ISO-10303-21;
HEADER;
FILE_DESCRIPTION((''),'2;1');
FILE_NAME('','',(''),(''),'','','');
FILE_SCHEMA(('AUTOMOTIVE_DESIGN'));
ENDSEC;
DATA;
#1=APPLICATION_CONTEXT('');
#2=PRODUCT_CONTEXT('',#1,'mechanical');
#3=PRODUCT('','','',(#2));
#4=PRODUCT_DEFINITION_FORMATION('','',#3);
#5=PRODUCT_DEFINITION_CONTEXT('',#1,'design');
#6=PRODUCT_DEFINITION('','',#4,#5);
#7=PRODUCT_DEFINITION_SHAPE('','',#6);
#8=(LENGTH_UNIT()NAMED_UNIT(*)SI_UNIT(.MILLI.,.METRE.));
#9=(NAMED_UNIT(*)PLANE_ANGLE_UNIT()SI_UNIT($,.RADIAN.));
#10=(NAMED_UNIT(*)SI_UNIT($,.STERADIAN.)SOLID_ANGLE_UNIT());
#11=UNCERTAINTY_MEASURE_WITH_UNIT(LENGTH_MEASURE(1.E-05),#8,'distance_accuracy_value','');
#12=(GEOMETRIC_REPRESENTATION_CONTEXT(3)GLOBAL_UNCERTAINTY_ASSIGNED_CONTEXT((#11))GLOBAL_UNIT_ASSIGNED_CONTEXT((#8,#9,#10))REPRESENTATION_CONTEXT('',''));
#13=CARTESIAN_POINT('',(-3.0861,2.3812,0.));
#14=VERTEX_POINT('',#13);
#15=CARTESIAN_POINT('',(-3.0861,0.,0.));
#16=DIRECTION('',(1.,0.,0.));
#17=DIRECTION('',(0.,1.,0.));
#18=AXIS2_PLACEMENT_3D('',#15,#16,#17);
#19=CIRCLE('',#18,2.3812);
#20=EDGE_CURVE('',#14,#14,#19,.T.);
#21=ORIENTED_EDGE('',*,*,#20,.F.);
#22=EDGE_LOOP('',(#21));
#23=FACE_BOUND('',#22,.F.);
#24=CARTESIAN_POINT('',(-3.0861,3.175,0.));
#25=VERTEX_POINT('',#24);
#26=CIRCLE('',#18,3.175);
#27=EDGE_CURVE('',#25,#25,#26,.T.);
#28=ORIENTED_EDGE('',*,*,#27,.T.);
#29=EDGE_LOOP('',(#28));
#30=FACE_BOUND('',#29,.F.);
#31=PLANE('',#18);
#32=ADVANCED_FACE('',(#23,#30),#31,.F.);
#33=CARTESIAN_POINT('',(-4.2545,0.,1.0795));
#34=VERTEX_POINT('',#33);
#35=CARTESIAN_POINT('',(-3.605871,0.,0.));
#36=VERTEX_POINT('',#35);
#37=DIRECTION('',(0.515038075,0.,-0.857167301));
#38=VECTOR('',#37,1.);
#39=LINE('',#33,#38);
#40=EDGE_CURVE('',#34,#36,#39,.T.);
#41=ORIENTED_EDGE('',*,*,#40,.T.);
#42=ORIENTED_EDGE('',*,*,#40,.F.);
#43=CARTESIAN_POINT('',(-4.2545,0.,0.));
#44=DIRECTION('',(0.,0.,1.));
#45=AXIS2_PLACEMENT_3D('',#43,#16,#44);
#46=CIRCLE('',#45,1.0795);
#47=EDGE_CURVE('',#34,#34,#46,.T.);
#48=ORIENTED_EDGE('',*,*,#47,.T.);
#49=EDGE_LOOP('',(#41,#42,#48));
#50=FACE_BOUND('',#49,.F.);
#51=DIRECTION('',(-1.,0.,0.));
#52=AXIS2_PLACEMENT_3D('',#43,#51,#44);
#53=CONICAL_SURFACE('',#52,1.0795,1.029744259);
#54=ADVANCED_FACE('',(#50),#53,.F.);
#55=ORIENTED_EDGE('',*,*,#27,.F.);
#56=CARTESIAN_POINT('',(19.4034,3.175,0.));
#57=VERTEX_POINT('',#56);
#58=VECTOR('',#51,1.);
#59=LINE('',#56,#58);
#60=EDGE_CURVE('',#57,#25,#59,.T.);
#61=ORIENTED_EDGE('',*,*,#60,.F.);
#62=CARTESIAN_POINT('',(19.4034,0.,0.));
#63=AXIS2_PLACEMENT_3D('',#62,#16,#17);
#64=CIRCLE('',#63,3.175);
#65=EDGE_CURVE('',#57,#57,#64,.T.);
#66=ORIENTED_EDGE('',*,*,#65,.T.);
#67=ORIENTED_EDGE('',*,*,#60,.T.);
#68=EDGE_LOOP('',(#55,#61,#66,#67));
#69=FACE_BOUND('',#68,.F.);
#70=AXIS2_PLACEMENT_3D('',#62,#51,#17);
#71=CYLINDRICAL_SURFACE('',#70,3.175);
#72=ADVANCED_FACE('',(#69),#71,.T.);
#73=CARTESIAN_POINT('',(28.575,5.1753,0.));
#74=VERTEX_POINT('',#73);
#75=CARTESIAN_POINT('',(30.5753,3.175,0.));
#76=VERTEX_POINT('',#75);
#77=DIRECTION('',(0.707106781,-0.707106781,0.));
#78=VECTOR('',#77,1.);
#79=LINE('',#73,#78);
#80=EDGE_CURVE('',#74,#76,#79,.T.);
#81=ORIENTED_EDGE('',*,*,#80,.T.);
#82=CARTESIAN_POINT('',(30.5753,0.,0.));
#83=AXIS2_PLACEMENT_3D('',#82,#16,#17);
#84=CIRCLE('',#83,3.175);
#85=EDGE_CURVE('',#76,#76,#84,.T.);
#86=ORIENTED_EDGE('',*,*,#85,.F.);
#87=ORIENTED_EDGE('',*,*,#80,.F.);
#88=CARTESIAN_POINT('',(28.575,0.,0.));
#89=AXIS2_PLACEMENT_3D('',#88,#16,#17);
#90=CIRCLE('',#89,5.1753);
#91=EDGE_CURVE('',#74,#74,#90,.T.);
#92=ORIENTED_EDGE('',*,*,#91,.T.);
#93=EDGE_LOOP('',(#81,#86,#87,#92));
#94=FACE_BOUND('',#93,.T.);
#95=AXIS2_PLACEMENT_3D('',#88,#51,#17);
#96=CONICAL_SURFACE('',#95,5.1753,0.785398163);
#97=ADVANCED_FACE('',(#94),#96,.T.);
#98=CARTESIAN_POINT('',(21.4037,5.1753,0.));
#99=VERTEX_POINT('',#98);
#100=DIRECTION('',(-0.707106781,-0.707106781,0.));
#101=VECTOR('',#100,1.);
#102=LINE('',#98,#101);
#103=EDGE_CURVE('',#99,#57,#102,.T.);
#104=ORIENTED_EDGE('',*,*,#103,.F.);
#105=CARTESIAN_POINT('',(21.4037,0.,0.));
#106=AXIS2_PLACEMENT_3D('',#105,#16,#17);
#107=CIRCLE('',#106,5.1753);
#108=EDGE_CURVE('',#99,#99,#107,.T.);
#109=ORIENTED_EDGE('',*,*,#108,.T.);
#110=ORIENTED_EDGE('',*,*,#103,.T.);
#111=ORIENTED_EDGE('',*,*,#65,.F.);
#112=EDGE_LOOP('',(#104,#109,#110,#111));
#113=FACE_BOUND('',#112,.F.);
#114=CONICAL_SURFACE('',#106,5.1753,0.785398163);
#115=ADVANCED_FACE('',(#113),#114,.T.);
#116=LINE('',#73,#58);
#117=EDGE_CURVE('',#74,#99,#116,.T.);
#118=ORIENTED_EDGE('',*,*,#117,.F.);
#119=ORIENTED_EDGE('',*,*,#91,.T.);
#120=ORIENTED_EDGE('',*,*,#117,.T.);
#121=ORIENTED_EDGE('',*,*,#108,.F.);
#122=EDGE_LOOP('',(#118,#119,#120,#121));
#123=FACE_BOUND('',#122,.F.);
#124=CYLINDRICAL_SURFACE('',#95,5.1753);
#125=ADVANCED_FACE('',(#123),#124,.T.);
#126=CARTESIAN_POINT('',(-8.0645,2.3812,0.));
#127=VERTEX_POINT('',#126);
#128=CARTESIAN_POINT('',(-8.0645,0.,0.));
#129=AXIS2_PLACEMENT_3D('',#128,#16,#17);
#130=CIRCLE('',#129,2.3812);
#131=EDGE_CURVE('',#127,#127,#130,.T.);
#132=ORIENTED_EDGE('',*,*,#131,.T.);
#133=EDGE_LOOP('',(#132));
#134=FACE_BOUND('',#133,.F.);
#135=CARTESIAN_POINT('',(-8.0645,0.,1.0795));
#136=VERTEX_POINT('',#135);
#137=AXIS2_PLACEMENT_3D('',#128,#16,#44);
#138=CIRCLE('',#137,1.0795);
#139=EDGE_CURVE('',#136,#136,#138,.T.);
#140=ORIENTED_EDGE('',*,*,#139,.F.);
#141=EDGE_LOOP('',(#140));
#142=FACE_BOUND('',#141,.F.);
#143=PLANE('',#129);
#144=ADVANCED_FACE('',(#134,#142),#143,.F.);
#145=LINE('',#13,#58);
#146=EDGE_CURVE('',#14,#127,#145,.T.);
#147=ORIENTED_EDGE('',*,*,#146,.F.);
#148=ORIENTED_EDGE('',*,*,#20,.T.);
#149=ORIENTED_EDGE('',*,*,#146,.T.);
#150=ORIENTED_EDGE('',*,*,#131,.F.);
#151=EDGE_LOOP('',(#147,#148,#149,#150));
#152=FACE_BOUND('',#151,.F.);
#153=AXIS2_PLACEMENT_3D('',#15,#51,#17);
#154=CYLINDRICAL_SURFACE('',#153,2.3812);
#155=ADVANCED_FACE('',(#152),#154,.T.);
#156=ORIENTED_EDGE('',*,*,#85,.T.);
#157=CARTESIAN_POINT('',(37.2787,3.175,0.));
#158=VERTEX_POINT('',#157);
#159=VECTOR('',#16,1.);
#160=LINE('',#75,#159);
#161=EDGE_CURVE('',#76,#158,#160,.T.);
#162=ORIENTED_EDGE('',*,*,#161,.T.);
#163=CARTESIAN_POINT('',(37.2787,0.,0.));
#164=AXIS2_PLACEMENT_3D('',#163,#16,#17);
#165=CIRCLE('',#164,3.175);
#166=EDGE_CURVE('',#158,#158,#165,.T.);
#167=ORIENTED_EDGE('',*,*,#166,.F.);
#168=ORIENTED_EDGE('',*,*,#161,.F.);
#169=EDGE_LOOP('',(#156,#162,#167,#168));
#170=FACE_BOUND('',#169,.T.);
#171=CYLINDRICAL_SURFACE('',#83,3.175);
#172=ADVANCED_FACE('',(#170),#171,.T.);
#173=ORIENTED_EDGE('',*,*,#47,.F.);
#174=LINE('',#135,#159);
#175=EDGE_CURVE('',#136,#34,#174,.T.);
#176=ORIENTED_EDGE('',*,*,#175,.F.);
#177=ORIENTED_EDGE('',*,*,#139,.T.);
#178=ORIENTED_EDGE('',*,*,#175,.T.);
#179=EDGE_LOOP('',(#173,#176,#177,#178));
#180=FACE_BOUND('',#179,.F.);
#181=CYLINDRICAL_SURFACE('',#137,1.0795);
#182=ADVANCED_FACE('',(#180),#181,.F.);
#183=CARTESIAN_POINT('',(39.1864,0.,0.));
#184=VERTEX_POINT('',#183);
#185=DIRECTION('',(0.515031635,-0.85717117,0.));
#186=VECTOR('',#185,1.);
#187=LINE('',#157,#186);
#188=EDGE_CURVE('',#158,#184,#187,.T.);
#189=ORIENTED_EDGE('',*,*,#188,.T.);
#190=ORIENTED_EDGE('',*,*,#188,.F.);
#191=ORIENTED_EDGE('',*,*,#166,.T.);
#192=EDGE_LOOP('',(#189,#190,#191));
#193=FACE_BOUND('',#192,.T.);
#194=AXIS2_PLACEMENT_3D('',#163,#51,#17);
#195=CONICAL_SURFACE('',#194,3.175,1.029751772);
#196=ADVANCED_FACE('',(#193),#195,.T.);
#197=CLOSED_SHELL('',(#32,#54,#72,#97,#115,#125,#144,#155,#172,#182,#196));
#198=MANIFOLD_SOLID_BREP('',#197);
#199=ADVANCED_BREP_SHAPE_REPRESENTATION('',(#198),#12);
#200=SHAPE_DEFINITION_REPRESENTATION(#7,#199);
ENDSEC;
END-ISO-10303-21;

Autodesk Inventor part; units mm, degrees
ref_plane "YZ Plane" through (0, 0, 0) normal (1, 0, 0) x (0, 1, 0)
ref_plane "XZ Plane" through (0, 0, 0) normal (0, 1, 0) x (-1, 0, 0)
ref_plane "XY Plane" through (0, 0, 0) normal (0, 0, 1) x (1, 0, 0)
sketch "Sketch1" plane through (0, 0, 0) normal (0, 0, 1) x (1, 0, 0)
  line L0 (0, 0) -> (8.7313, 0) construction
  line L1 (0, 0) -> (0, 7.9375) construction
  line L2 (0, 7.9375) -> (8.7312, 7.9375) construction
  line L3 (8.7312, 7.9375) -> (8.7313, 0) construction
  line L4 (8.7312, 7.9375) -> (47.625, 7.9375) construction
  line L5 (8.7312, 7.9375) -> (8.7312, 14.2875) construction
  line L6 (8.7312, 14.2875) -> (11.9062, 14.2875) construction
  line L7 (11.9062, 14.2875) -> (11.9062, 0) construction
  line L8 (11.9062, 0) -> (8.7313, 0) construction
  line L9 (11.9062, 0) -> (21.4312, 0) construction
  line L10 (21.4312, 0) -> (21.4312, 26.67) construction
  line L11 (21.4312, 26.67) -> (11.9063, 26.67) construction
  line L12 (11.9063, 26.67) -> (11.9062, 14.2875) construction
  line L13 (16.6687, 0) -> (16.6687, 26.67) construction
  line L14 (16.6687, 17.4625) -> (23.8125, 17.4625) construction
  line L15 (23.8125, 17.4625) -> (23.8125, 0) construction
  line L16 (23.8125, 0) -> (21.4312, 0) construction
  line L17 (23.8125, 0) -> (24.6062, 0) construction
  line L18 (24.6062, 0) -> (24.6062, 14.2875) construction
  line L19 (24.6062, 14.2875) -> (23.8125, 14.2875) construction
  line L20 (23.8125, 14.2875) -> (23.8125, 0) construction
  line L21 (24.6062, 0) -> (34.1312, 0) construction
  line L22 (34.1312, 0) -> (34.1313, 20.32) construction
  line L23 (34.1313, 20.32) -> (24.6062, 20.32) construction
  line L24 (24.6062, 20.32) -> (24.6062, 0) construction
  line L25 (29.3687, 20.32) -> (29.3687, 0) construction
  line L26 (29.3687, 17.4625) -> (36.5125, 17.4625) construction
  line L27 (36.5125, 17.4625) -> (36.5125, 0) construction
  line L28 (36.5125, 0) -> (34.1312, 0) construction
  line L29 (36.5125, 0) -> (37.3062, 0) construction
  line L30 (37.3062, 0) -> (37.3062, 14.2875) construction
  line L31 (37.3062, 14.2875) -> (36.5125, 14.2875) construction
  line L32 (36.5125, 14.2875) -> (36.5125, 0) construction
  line L33 (37.3062, 0) -> (38.8937, 0) construction
  line L34 (38.8937, 0) -> (38.8937, 9.525) construction
  line L35 (38.8937, 9.525) -> (37.3062, 9.525) construction
  line L36 (37.3062, 9.525) -> (37.3062, 0) construction
  line L37 (47.625, 7.9375) -> (47.625, 0) construction
  line L38 (47.625, 0) -> (38.8937, 0) construction
  line L39 (14.2875, 26.67) -> (14.2875, 0) construction
  line L40 (26.9875, 20.32) -> (26.9875, 0) construction
  line L41 (0, 7.9375) -> (0, 17.4625) construction
  line L42 (0, 17.4625) -> (8.7312, 17.4625) construction
  line L43 (8.7312, 17.4625) -> (8.7312, 14.2875) construction
  line L44 (0, 3.175) -> (47.625, 3.175) construction
  circle A0 centre (14.2875, 5.5563) radius 2.3813 construction
  circle A1 centre (26.9875, 5.5562) radius 2.3812 construction
  circle A2 centre (14.2875, 5.8102) radius 2.3813 construction
  circle A3 centre (14.2875, 7.5565) radius 2.3813 construction
  circle A4 centre (26.9875, 5.8103) radius 2.3812 construction
  circle A5 centre (26.9875, 7.5565) radius 2.3812 construction
  line L45 (11.9062, 8.1915) -> (16.6687, 8.1915) construction
  line L46 (15.0198, 3.175) -> (17.0201, 5.1753) construction
  line L47 (17.0201, 5.1753) -> (24.2549, 5.1753) construction
  line L48 (24.2549, 5.1753) -> (26.2552, 3.175) construction
  line L49 (24.6062, 8.1915) -> (29.3687, 8.1915) construction
  line L50 (12.7, 5.1753) -> (19.8713, 5.1753) construction
  line L51 (28.575, 5.1753) -> (21.4037, 5.1753)
  line L52 (0, 6.35) -> (9.1122, 6.35) construction
  line L53 (9.1122, 6.35) -> (9.1122, 0) construction
  line L54 (12.7, 5.1753) -> (10.6997, 3.175) construction
  line L55 (19.8713, 5.1753) -> (21.8716, 3.175) construction
  line L56 (21.8716, 3.175) -> (28.575, 3.175) construction
  line L57 (28.575, 3.175) -> (30.4827, 0) construction
  line L58 (28.575, 5.1753) -> (30.5753, 3.175)
  line L59 (30.5753, 3.175) -> (37.2787, 3.175)
  line L60 (37.2787, 3.175) -> (39.1864, 0)
  line L61 (9.1122, 5.5562) -> (47.625, 5.5563) construction
  line L62 (39.5833, 0) -> (36.2448, 5.5563) construction
  line L63 (21.4037, 5.1753) -> (19.4034, 3.175)
  line L64 (19.4034, 3.175) -> (-3.0861, 3.175)
  line L65 (47.625, 7.9375) -> (47.625, 17.4625) construction
  line L66 (47.625, 17.4625) -> (38.8937, 17.4625) construction
  line L67 (38.8937, 17.4625) -> (38.8937, 9.525) construction
  line L68 (47.625, 7.9375) -> (53.975, 7.9375) construction
  line L69 (53.975, 7.9375) -> (53.975, 0) construction
  line L70 (53.975, 0) -> (47.625, 0) construction
  line L71 (53.975, 6.35) -> (66.675, 6.35) construction
  line L72 (66.675, 6.35) -> (66.675, 0) construction
  line L73 (66.675, 0) -> (53.975, 0) construction
  line L74 (-8.0645, 3.175) -> (-8.0645, 2.3812) construction
  line L75 (-8.0645, 0) -> (39.1864, 0)
  line L76 (-3.0861, 3.175) -> (-3.0861, 2.3812)
  line L77 (-3.0861, 2.3812) -> (-8.0645, 2.3812)
  line L78 (-8.0645, 3.175) -> (-8.0645, 6.35) construction
  line L79 (-8.0645, 6.35) -> (-3.0861, 6.35) construction
  line L80 (-3.0861, 6.35) -> (-3.0861, 3.175) construction
  line L81 (-3.0861, 0) -> (-3.0861, 2.3812) construction
  line L82 (-1.5875, 0) -> (-1.5875, 11.1125) construction
  line L83 (-1.5875, 11.1125) -> (-3.0861, 11.1125) construction
  line L84 (-3.0861, 11.1125) -> (-3.0861, 6.35) construction
  line L85 (-3.0861, 3.175) -> (-8.0645, 3.175) construction
  line L86 (-8.0645, 2.3812) -> (-8.0645, 0) construction
  line L87 (-8.0645, 2.7051) -> (-9.5631, 2.7051) construction
  line L88 (-9.5631, 2.7051) -> (-9.5631, 0) construction
  line L89 (-9.5631, 0) -> (-8.0645, 0) construction
  line L90 (-8.0645, 1.4224) -> (-5.5245, 1.4224) construction
  line L91 (-5.5245, 1.4224) -> (-5.5245, 0) construction
  line L92 (-5.5245, 1.4224) -> (-2.9845, 1.4224) construction
  line L93 (-2.9845, 1.4224) -> (-2.9845, 0) construction
  line L94 (-3.0861, 11.1125) -> (-14.2875, 11.1125) construction
  line L95 (-14.2875, 11.1125) -> (-14.2875, 5.9531) construction
  line L96 (-14.2875, 5.9531) -> (-18.4912, 5.9531) construction
  line L97 (-18.4912, 5.9531) -> (-18.4912, 0) construction
  line L98 (-18.4912, 0) -> (-9.5631, 0) construction
  line L99 (-8.0645, 3.9687) -> (-14.5224, 3.9687) construction
  line L100 (-14.5224, 3.9687) -> (-14.5224, 0) construction
  line L101 (-14.5224, 3.429) -> (-10.3568, 3.429) construction
  line L102 (-10.3568, 3.429) -> (-10.3568, 0) construction
  line L103 (-16.9037, 3.175) -> (-16.9037, 0) construction
  line L104 (-16.9037, 3.175) -> (-18.4912, 3.175) construction
  dimension "d0" = 8.7312
  dimension "d1" = 7.9375
  dimension "d2" = 3.175
  dimension "d3" = 14.2875
  dimension "d4" = 9.525
  dimension "d5" = 26.67
  dimension "d6" = 7.1437
  dimension "d7" = 17.4625
  dimension "d8" = 0.7937
  dimension "d9" = 14.2875
  dimension "d10" = 9.525
  dimension "d11" = 20.32
  dimension "d12" = 7.1437
  dimension "d13" = 17.4625
  dimension "d14" = 0.7937
  dimension "d15" = 14.2875
  dimension "d16" = 1.5875
  dimension "d17" = 9.525
  dimension "d18" = 8.7312
  dimension "d19" = 2.3813
  dimension "d20" = 2.3813
  dimension "d21" = 17.4625
  dimension "d22" = 3.175
  dimension "d23" = 4.7625
  dimension "d24" = 4.7625
  dimension "d26" = 0.254
  dimension "d28" = 45
  dimension "d29" = 45
  dimension "d30" = 0.254
  dimension "d31" = 7.2348
  dimension "d32" = 5.1753
  dimension "d33" = 7.1713
  dimension "d34" = 1.5875
  dimension "d35" = 7.1713
  dimension "d36" = 1.5875
  dimension "d37" = 6.35
  dimension "d39" = 45
  dimension "d40" = 45
  dimension "d41" = 1.5875
  dimension "d42" = 59
  dimension "d43" = 6.7034
  dimension "d44" = 6.7034
  dimension "d45" = 5.5563
  dimension "d46" = 0.3969
  dimension "d47" = 1.5875
  dimension "d48" = 9.1122
  dimension "d52" = 17.4625
  dimension "d53" = 6.35
  dimension "d54" = 12.7
  dimension "d55" = 6.35
  dimension "d56" = 2.3813
  dimension "d57" = 4.9784
  dimension "d58" = 6.35
  dimension "d66" = 1.4986
  dimension "d67" = 1.5875
  dimension "d68" = 11.1125
  dimension "d69" = 2.7051
  dimension "d70" = 1.4986
  dimension "d71" = 1.4224
  dimension "d72" = 2.54
  dimension "d73" = 2.54
  dimension "d74" = 3.9688
  dimension "d75" = 4.1656
  dimension "d76" = 3.429
sketch "Sketch2" plane through (0, 0, 0) normal (0, 0, 1) x (1, 0, 0)
  line L0 (19.4034, 3.175) -> (-3.0861, 3.175) projected
  line L1 (-3.0861, 3.175) -> (-3.0861, 2.3812) projected
  line L2 (-3.0861, 2.3812) -> (-8.0645, 2.3812) projected
  line L3 (-8.0645, 2.3812) -> (-8.0645, 0) projected
  line L4 (-8.0645, 0) -> (39.1864, 0) projected
  line L5 (37.2787, 3.175) -> (39.1864, 0) projected
  line L6 (30.5753, 3.175) -> (37.2787, 3.175) projected
  line L7 (28.575, 5.1753) -> (30.5753, 3.175) projected
  line L8 (28.575, 5.1753) -> (21.4037, 5.1753) projected
  line L9 (21.4037, 5.1753) -> (19.4034, 3.175) projected
  point P0 (0, 0)
revolve "Revolution1" add sketch "Sketch2" angle 360 about axis through (-8.0645, 0, 0) along (1, 0, 0)
sketch "Sketch3" plane through (-8.0645, 0, 0) normal (-1, 0, 0) x (0, 0, 1)
  circle A0 centre (0, 0) radius 2.3813 projected
hole "Hole1" at (-8.0645, 0, 0) direction (1, 0, 0) diameter 2.159 depth 3.81 tip angle 118
equation "\"d9\" = d3"
equation "\"d12\" = d6"
equation "\"d13\" = d7"
equation "\"d15\" = d9"
equation "\"d18\" = d0"
equation "\"d20\" = d19"
equation "\"d35\" = d33"
equation "\"d36\" = d34"
equation "\"d43\" = d44"
equation "\"d52\" = d13"
properties part number "Ball Shifting Outline" material "Steel, Alloy"
